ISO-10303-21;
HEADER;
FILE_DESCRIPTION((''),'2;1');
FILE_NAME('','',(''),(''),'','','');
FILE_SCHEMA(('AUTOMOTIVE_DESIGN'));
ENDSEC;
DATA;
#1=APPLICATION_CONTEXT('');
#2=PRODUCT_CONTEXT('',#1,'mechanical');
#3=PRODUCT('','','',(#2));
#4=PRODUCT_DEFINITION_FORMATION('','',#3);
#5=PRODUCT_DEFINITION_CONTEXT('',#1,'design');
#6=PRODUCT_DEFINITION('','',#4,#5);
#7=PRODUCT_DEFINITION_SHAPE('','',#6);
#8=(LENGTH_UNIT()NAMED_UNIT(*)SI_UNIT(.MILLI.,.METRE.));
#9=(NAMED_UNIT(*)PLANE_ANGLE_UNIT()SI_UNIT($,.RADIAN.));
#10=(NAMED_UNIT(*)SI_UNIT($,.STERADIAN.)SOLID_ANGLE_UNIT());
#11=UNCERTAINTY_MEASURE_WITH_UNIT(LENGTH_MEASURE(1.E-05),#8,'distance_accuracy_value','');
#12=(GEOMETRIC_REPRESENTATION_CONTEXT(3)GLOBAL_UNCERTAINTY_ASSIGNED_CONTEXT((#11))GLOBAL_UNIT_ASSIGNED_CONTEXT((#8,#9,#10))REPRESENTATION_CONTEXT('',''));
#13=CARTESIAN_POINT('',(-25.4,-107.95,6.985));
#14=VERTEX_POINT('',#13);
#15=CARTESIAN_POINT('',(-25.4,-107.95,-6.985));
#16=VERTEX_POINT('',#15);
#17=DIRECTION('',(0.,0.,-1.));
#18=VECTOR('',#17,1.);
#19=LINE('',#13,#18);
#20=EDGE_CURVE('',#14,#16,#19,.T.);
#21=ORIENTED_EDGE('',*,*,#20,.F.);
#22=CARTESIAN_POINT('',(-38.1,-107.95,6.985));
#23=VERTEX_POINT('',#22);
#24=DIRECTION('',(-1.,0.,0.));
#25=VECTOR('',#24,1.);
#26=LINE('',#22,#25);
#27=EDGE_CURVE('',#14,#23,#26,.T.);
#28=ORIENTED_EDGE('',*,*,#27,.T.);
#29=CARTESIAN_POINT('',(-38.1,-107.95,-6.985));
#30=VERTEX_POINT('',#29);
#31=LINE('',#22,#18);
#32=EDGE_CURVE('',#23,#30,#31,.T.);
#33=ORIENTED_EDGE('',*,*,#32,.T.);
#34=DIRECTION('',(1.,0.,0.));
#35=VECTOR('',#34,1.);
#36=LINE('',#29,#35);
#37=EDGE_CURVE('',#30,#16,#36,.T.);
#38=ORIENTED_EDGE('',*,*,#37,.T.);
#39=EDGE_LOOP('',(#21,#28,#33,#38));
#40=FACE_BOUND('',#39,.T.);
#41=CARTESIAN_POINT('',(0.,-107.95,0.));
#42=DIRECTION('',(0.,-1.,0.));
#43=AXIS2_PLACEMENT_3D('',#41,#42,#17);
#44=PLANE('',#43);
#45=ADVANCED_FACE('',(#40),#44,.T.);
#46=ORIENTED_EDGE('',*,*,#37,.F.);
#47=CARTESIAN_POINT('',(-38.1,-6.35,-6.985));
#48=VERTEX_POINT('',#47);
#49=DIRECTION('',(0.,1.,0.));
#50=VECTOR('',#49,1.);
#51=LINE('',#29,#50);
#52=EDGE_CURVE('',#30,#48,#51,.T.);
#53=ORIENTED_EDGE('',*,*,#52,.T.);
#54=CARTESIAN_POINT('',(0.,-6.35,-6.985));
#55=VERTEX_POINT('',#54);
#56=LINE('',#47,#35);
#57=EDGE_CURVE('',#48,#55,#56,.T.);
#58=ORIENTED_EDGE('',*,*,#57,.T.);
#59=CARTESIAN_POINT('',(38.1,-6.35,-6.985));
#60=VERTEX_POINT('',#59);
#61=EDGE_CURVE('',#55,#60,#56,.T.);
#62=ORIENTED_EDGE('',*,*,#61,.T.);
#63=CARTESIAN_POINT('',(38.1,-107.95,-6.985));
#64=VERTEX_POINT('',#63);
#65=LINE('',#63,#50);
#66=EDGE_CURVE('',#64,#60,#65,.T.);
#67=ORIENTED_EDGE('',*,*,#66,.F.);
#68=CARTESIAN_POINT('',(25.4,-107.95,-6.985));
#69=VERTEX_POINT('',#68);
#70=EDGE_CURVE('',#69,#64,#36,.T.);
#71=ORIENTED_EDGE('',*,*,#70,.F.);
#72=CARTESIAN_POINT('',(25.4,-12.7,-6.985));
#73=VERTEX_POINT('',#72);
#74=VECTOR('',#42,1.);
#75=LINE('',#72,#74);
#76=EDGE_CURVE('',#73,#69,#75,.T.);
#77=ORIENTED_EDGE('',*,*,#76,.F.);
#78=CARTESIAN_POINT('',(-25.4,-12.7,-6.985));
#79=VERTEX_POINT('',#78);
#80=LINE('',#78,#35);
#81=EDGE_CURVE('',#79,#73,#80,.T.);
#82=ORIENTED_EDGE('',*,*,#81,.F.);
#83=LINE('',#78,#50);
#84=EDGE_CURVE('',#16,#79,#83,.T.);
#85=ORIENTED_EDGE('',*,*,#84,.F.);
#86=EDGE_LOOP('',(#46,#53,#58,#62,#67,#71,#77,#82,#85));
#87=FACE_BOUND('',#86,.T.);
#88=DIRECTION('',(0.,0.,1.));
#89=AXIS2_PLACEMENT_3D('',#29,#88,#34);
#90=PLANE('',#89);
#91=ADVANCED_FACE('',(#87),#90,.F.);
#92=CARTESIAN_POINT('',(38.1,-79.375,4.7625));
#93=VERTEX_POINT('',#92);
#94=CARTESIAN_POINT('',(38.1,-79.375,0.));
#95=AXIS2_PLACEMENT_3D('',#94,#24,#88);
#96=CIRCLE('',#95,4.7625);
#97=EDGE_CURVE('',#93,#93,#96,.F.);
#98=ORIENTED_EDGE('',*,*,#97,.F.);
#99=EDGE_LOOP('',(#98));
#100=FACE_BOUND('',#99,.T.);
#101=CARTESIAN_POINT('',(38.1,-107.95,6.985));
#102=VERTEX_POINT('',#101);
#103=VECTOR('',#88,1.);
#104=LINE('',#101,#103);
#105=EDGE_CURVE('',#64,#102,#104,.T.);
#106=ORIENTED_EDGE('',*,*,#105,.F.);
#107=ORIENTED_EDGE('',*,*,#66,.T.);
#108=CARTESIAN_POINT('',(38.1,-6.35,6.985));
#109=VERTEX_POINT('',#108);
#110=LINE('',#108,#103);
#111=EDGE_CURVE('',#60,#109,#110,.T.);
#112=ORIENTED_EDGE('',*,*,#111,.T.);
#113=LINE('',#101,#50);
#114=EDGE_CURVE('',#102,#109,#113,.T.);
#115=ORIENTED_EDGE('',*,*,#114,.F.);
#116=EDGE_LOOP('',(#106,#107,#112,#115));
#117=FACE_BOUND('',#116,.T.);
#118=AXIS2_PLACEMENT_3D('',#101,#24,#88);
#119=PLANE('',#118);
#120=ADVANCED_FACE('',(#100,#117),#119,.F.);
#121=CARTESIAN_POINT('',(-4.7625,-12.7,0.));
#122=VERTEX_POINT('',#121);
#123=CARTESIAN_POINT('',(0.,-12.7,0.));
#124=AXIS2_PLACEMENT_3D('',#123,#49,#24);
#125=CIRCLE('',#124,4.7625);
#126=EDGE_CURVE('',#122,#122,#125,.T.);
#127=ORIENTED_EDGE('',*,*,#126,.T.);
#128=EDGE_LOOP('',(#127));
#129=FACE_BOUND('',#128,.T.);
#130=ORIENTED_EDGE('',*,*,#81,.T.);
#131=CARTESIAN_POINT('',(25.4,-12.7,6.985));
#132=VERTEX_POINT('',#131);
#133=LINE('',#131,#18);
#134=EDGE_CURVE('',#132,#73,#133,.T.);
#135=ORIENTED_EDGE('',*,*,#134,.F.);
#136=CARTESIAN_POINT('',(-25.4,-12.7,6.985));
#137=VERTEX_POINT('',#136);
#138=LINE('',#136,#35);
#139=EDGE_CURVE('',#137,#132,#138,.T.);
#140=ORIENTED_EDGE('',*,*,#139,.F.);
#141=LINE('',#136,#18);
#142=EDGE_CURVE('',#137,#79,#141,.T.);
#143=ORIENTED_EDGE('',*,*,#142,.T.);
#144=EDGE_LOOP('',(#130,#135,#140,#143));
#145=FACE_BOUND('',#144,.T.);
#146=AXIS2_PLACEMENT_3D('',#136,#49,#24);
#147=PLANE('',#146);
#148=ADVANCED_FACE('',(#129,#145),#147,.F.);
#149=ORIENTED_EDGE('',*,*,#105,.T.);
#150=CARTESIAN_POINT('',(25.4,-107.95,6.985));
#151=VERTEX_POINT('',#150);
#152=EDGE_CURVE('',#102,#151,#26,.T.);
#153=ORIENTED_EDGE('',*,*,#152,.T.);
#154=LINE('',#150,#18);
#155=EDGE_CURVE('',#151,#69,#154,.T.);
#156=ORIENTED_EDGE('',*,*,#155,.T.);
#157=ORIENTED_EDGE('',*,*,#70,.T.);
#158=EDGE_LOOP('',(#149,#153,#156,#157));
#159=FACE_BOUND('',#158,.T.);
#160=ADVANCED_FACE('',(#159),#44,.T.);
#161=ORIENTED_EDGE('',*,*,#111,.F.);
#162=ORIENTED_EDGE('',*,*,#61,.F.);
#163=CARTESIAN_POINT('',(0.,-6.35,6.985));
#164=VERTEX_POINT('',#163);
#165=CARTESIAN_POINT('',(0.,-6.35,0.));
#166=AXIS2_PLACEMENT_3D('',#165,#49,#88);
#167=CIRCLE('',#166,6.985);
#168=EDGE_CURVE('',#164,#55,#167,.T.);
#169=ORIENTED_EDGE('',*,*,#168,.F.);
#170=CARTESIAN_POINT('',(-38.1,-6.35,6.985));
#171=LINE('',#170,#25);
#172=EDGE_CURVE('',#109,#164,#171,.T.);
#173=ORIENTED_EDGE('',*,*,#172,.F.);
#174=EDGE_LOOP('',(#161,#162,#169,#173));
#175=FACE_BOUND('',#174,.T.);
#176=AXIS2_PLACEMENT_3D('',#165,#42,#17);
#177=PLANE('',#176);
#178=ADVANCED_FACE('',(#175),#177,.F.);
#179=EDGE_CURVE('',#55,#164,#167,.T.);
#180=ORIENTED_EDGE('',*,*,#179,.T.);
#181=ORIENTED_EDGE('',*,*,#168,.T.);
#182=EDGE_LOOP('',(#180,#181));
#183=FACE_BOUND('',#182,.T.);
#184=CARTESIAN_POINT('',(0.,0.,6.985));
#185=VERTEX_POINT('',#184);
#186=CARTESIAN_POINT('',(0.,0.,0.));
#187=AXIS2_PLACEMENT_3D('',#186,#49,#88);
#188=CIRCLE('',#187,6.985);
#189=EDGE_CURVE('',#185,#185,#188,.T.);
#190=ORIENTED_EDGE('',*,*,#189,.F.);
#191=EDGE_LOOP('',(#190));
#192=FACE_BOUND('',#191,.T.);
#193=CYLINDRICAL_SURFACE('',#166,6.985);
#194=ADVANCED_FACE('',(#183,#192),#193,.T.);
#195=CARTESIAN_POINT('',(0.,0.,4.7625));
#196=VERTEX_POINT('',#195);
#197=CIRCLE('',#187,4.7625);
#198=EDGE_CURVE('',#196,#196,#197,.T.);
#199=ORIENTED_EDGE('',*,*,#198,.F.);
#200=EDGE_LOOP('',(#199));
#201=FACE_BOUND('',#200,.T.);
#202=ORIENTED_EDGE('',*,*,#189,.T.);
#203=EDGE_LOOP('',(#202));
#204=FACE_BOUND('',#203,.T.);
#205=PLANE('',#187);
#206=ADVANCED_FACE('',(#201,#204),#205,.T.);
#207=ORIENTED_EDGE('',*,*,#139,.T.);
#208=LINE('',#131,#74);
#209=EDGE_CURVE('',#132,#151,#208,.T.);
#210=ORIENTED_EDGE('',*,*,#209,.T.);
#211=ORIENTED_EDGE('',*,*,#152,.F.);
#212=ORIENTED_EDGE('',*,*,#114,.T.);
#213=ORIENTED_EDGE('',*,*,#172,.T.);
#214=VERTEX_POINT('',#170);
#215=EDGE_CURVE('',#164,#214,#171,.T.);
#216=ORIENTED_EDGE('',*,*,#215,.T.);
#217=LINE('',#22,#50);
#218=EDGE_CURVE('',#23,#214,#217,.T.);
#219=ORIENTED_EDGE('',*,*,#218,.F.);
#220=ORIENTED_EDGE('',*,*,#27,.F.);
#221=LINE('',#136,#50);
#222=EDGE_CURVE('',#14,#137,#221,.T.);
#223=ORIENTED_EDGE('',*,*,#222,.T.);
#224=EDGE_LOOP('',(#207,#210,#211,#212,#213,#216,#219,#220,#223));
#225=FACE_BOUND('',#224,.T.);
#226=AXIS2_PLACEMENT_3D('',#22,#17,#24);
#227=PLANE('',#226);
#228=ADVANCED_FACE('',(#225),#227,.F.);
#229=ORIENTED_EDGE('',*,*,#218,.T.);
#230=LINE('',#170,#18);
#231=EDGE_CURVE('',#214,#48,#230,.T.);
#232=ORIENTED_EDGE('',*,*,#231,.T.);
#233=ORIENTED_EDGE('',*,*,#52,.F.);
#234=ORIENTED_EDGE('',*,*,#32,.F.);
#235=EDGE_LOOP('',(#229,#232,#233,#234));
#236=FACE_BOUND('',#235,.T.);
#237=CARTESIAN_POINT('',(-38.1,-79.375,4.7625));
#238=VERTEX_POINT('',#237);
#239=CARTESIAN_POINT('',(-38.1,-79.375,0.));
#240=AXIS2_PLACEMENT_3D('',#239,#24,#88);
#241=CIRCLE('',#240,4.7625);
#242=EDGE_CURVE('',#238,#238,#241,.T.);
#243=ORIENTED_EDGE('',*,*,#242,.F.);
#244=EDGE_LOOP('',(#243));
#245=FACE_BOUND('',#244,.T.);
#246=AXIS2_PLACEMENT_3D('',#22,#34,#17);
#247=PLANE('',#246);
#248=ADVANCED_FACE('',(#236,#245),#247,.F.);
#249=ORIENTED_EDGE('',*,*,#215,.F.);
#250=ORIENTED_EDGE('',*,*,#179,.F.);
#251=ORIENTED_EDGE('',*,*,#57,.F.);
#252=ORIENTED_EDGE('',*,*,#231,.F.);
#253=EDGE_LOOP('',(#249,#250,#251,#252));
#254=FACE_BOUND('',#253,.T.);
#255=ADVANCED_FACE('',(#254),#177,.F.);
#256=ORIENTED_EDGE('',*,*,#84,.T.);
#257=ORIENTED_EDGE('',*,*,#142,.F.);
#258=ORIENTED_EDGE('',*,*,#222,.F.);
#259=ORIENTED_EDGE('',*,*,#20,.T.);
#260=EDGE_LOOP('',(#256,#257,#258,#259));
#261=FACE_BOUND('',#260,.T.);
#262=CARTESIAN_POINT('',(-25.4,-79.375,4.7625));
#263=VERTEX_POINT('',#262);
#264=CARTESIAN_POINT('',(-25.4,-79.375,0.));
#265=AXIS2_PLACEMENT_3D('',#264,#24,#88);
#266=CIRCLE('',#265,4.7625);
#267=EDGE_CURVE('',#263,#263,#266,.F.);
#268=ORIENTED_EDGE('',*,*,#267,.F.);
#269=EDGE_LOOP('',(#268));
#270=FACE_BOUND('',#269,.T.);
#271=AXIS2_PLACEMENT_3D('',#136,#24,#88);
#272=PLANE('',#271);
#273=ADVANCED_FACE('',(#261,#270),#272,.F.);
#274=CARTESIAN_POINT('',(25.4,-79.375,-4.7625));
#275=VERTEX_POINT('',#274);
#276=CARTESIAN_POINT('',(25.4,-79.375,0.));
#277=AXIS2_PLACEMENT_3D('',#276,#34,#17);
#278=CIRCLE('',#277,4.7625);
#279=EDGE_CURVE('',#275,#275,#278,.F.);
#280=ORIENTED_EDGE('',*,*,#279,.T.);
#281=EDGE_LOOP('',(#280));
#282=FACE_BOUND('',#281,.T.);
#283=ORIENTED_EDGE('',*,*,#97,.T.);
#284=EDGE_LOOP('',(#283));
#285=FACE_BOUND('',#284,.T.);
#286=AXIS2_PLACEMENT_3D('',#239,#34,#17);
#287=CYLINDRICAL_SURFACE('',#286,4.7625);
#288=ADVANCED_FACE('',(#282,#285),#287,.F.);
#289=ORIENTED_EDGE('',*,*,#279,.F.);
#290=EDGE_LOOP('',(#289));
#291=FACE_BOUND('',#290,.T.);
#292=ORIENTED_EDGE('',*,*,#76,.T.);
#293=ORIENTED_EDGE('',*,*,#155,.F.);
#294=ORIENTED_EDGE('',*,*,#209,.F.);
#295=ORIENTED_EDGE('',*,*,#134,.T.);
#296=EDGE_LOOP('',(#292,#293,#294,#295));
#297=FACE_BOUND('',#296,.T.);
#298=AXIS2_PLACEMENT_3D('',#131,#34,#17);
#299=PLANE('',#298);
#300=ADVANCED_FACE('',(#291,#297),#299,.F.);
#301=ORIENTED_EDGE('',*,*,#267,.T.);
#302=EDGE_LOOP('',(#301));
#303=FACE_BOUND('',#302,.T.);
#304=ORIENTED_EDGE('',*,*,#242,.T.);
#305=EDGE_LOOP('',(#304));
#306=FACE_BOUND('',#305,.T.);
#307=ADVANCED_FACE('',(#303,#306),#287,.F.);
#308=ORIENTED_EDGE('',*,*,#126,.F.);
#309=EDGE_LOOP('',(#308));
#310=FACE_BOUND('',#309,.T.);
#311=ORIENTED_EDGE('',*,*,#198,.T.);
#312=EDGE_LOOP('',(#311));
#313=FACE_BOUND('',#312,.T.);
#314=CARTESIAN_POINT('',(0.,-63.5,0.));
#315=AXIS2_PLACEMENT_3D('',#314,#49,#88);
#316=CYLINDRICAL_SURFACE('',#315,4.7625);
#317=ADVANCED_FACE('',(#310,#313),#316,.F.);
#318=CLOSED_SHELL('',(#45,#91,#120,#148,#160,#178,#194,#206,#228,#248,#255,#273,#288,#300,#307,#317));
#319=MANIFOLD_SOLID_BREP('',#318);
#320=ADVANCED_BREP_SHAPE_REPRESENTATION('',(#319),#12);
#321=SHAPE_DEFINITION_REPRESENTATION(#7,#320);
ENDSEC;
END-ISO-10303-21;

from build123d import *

# Parameters (mm, degrees)
SKETCH1_R               = 6.985
BOSS_EXTRUDE1_DEPTH     = 6.35
SKETCH3_R               = 4.7625
CUT_EXTRUDE1_DEPTH      = 63.5
SKETCH5_W               = 76.2
SKETCH5_H               = 13.97
BOSS_EXTRUDE2_DEPTH     = 101.6
SKETCH6_W               = 50.8
SKETCH6_H               = 95.25
CUT_EXTRUDE2_DEPTH      = 116.325510621
SKETCH7_R               = 4.7625
CUT_EXTRUDE3_DEPTH      = 115.689156964
CUT_EXTRUDE4_DEPTH      = 126.436209784
CUT_EXTRUDE4_DEPTH_BACK = 19.05
SKETCH8_R               = 4.7625


with BuildPart() as part:
    # Sketch1 → Boss-Extrude1 (new body)
    with BuildSketch(Plane(origin=(0, 0, 0), x_dir=(1, 0, 0), z_dir=(0, 1, 0))):
        with Locations(Location((0, 0, 0), (0, 0, 270))):
            Circle(SKETCH1_R)
    extrude(amount=-BOSS_EXTRUDE1_DEPTH)

    # Sketch3 → Cut-Extrude1 (cut)
    with BuildSketch(Plane(origin=(0, 0, 0), x_dir=(1, 0, 0), z_dir=(0, 1, 0))):
        with Locations(Location((0, 0, 0), (0, 0, 270))):
            Circle(SKETCH3_R)
    extrude(amount=-CUT_EXTRUDE1_DEPTH, mode=Mode.SUBTRACT)

    # Sketch5 → Boss-Extrude2 (add)
    with BuildSketch(Plane(origin=(0, -6.35, 0), x_dir=(-1, 0, 0), z_dir=(0, -1, 0))):
        Rectangle(SKETCH5_W, SKETCH5_H)
    extrude(amount=BOSS_EXTRUDE2_DEPTH)

    # Sketch6 → Cut-Extrude2 (cut, through all)
    with BuildSketch(Plane(origin=(0, 0, -6.985), x_dir=(-1, 0, 0), z_dir=(0, 0, -1))):
        with Locations((0, -60.325)):
            Rectangle(SKETCH6_W, SKETCH6_H)
    extrude(amount=-CUT_EXTRUDE2_DEPTH, mode=Mode.SUBTRACT)

    # Sketch7 → Cut-Extrude3 (cut, through all)
    with BuildSketch(Plane(origin=(0, 0, 0), x_dir=(1, 0, 0), z_dir=(0, 1, 0))):
        with Locations(Location((0, 0, 0), (0, 0, 270))):
            Circle(SKETCH7_R)
    extrude(amount=-CUT_EXTRUDE3_DEPTH, mode=Mode.SUBTRACT)

    # Sketch8 → Cut-Extrude4 (cut, two sides: drawn at the far end of the back side and taken through both)
    with BuildSketch(Plane.ZY.offset(-25.4).offset(-CUT_EXTRUDE4_DEPTH_BACK)):
        with Locations((0, -79.375)):
            Circle(SKETCH8_R)
    extrude(amount=CUT_EXTRUDE4_DEPTH + CUT_EXTRUDE4_DEPTH_BACK, mode=Mode.SUBTRACT)


solid = part.part
